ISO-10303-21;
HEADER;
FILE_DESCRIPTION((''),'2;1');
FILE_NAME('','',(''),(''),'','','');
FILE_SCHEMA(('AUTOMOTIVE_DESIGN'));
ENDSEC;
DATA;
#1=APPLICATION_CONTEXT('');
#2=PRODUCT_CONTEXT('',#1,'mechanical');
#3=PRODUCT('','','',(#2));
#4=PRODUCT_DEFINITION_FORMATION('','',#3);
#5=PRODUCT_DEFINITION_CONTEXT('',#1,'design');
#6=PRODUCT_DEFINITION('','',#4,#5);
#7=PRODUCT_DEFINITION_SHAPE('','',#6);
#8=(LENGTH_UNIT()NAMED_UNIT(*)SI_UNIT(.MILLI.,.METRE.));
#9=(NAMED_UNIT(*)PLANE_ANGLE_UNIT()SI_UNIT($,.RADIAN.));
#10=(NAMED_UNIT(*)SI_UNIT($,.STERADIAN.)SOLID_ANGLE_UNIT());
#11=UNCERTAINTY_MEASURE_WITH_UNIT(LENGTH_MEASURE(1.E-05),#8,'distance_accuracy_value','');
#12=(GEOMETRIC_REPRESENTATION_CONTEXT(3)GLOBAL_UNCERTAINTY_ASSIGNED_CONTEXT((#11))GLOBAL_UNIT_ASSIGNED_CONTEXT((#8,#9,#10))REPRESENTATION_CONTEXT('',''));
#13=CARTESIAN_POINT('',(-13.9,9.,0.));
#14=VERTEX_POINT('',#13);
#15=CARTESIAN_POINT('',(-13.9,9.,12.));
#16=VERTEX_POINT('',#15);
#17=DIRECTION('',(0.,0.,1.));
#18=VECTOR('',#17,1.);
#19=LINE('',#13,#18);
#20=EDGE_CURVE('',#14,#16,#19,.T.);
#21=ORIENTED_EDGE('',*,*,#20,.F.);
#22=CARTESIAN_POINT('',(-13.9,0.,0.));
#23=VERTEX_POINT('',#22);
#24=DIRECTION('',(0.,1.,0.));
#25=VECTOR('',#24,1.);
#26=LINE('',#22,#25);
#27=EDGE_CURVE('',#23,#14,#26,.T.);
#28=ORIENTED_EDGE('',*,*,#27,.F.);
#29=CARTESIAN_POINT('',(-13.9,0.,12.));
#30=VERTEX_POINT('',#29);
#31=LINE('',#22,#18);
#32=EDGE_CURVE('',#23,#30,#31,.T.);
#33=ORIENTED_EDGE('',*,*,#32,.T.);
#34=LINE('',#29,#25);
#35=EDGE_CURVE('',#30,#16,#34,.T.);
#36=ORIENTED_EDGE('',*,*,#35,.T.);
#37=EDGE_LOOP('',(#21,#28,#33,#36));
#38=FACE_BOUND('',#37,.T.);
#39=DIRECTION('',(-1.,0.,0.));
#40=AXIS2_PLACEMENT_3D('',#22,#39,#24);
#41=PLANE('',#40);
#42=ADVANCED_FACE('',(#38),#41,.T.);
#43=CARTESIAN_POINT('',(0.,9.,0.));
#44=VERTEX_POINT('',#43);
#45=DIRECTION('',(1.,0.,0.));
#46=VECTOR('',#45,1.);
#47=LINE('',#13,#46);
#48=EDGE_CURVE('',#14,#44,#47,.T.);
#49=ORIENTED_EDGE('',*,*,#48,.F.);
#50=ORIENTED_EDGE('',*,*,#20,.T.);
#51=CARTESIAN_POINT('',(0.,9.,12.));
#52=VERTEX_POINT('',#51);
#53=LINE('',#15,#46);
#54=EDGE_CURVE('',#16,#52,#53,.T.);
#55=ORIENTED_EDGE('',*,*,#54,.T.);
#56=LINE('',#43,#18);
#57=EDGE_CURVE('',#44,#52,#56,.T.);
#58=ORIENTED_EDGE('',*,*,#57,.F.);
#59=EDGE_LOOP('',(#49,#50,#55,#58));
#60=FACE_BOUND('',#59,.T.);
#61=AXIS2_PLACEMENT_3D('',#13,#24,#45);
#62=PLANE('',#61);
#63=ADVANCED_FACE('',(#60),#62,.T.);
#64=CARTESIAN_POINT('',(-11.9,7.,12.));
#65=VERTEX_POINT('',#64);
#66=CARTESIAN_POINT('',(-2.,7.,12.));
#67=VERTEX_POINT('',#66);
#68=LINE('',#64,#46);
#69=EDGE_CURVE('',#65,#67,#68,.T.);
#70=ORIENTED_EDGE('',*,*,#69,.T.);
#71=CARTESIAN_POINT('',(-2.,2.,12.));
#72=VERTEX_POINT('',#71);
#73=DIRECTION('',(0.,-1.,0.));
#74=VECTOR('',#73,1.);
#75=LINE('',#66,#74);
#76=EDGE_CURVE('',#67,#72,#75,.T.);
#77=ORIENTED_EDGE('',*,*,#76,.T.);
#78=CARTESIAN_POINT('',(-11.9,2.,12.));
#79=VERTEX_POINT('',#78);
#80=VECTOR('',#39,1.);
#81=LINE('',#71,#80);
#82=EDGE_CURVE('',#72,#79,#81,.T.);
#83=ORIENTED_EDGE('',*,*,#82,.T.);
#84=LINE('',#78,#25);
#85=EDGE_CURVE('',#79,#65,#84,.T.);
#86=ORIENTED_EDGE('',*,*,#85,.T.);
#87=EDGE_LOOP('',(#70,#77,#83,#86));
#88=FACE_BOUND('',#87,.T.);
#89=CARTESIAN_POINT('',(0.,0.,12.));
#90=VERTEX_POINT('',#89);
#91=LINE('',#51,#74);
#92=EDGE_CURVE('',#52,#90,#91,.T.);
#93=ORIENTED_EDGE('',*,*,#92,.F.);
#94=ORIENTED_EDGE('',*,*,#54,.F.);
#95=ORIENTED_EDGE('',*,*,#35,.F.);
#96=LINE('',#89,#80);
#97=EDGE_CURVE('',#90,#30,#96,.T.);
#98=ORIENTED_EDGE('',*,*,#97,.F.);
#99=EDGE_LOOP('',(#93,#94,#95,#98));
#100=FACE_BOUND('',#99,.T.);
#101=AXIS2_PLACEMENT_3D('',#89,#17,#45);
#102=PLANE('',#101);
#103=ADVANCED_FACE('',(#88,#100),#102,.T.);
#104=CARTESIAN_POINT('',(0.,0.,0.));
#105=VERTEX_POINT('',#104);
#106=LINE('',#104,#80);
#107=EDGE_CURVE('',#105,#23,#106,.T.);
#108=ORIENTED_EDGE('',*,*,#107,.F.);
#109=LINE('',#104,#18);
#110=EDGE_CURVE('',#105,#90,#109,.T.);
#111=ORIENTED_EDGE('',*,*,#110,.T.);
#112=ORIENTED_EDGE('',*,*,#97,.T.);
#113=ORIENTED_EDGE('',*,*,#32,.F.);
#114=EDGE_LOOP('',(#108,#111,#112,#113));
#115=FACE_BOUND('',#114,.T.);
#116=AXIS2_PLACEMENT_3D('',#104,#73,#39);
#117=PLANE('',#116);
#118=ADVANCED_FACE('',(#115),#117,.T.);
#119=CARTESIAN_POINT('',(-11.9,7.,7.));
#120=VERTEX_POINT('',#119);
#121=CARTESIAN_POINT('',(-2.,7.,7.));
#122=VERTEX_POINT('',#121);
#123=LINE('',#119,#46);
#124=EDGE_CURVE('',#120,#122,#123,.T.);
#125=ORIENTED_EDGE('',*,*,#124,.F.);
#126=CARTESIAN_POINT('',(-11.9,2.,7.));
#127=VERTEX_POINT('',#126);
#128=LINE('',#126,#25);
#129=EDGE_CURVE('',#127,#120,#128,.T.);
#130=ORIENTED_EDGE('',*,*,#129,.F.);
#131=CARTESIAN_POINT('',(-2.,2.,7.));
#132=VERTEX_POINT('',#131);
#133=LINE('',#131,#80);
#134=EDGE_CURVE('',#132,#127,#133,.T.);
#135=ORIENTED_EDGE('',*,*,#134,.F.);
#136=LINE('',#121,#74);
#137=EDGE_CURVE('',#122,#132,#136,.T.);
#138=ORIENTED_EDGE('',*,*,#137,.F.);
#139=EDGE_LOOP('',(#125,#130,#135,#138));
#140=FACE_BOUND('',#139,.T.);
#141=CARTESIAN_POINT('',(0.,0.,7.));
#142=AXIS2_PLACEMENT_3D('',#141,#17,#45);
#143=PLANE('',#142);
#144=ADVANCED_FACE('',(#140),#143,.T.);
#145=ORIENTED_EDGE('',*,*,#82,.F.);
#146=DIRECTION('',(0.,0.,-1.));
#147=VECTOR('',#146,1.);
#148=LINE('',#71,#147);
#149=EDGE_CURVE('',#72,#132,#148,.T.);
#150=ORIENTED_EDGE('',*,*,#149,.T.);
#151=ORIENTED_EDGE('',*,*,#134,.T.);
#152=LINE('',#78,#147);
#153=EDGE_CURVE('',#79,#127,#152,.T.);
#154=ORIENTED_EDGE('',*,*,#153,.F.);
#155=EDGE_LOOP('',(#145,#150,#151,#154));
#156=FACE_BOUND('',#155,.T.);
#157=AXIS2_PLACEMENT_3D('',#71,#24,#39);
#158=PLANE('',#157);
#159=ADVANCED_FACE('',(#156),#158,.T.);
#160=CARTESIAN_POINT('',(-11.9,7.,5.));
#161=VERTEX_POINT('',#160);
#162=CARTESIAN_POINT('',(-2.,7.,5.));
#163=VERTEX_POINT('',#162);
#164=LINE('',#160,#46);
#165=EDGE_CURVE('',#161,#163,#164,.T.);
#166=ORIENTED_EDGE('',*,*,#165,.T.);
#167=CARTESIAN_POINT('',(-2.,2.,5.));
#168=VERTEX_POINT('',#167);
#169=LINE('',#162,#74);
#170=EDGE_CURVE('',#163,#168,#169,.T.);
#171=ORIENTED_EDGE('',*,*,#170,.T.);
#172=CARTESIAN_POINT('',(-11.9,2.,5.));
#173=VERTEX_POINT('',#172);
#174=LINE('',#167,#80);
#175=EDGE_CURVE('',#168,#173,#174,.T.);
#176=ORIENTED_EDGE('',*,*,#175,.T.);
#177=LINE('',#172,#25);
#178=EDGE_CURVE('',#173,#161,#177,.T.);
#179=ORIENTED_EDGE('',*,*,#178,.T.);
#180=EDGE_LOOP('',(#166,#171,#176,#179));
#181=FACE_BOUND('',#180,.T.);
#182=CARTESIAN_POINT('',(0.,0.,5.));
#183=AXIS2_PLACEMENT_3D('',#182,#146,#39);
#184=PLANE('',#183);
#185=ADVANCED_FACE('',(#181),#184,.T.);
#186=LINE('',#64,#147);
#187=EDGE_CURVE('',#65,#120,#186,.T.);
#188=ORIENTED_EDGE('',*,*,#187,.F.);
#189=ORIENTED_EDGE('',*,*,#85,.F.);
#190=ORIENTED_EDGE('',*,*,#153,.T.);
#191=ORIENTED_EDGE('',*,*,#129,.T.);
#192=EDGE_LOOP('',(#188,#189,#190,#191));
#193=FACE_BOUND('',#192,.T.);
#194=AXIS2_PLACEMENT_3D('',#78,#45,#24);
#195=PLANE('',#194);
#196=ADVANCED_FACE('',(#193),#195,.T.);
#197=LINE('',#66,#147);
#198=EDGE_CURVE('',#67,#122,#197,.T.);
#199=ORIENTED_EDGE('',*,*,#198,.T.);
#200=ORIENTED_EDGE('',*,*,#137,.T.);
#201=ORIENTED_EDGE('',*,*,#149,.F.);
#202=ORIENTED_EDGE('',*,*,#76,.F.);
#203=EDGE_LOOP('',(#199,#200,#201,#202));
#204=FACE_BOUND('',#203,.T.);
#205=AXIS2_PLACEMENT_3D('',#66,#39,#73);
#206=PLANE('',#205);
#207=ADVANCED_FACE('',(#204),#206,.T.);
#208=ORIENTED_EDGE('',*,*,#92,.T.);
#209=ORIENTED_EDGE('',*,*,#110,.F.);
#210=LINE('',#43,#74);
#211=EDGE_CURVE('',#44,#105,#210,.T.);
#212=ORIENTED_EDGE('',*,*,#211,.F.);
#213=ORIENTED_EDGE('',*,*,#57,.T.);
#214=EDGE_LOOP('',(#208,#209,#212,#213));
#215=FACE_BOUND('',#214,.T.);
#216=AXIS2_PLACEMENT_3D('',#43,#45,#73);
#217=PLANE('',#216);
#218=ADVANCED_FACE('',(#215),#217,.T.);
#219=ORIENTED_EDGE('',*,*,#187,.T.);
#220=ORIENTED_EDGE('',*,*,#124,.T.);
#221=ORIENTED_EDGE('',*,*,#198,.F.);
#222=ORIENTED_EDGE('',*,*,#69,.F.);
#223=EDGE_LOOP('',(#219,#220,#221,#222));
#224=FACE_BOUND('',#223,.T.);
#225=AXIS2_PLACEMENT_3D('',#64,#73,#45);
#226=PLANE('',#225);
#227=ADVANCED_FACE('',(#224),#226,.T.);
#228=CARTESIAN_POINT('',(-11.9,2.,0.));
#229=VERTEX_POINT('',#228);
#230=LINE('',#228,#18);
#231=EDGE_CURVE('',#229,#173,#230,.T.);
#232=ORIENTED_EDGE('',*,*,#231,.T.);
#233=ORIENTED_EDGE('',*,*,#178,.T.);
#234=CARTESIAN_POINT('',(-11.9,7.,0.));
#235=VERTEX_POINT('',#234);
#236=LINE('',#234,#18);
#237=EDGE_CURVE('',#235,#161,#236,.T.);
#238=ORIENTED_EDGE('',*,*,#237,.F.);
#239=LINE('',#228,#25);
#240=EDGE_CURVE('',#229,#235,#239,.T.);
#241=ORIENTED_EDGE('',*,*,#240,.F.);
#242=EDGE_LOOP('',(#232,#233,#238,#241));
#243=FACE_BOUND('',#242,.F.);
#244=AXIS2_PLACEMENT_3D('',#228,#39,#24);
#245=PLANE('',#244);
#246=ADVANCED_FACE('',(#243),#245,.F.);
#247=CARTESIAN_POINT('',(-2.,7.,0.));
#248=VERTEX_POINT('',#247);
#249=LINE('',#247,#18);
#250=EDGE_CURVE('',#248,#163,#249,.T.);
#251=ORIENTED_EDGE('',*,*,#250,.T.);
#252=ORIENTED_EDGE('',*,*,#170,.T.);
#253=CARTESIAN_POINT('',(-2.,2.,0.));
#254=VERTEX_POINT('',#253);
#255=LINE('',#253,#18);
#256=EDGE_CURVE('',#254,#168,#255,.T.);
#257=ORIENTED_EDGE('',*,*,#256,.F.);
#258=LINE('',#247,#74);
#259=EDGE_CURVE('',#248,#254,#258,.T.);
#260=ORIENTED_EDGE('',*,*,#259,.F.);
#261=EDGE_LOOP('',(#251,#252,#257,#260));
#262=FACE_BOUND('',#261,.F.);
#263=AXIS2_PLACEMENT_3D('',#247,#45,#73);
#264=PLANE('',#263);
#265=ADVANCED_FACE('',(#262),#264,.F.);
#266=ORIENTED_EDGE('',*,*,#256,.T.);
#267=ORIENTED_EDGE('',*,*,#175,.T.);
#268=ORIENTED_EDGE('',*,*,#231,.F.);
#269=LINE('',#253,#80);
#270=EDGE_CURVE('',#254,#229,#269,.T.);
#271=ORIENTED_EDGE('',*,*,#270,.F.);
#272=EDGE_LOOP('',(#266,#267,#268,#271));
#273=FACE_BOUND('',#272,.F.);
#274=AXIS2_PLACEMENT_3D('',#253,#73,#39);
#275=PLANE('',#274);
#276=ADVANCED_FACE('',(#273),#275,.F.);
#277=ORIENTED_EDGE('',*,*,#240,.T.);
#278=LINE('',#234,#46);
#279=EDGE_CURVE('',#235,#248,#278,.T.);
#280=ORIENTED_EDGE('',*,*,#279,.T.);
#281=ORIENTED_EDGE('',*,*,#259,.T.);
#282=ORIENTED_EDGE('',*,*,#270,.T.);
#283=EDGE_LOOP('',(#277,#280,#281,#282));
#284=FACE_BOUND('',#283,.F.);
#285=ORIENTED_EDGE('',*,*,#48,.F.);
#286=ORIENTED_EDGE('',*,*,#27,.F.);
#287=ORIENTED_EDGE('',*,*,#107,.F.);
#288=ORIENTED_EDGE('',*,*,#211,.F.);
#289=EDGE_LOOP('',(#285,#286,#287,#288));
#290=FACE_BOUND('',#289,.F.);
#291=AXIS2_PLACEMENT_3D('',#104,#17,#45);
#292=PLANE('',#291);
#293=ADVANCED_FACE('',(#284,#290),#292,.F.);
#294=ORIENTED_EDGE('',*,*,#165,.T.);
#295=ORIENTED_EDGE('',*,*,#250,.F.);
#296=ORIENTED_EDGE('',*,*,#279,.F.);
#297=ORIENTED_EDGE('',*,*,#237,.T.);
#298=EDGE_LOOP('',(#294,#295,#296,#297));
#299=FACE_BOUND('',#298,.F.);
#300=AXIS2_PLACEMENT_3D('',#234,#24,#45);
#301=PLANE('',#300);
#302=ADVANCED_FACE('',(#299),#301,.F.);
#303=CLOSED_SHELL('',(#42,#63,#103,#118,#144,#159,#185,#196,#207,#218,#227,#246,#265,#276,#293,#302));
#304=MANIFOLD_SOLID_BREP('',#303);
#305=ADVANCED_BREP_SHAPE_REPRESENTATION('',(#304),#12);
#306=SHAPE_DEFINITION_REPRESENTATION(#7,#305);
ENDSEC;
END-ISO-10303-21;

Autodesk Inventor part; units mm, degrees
ref_plane "YZ Plane" through (0, 0, 0) normal (1, 0, 0) x (0, 1, 0)
ref_plane "XZ Plane" through (0, 0, 0) normal (0, 1, 0) x (-1, 0, 0)
ref_plane "XY Plane" through (0, 0, 0) normal (0, 0, 1) x (1, 0, 0)
sketch "Sketch5" plane through (0, 0, 0) normal (0, 0, 1) x (1, 0, 0)
  line L0 (0, 0) -> (-13.9, 0)
  line L1 (-13.9, 0) -> (-13.9, 9)
  line L2 (-13.9, 9) -> (0, 9)
  line L3 (0, 9) -> (0, 0)
  line L4 (-2, 2) -> (-11.9, 2)
  line L5 (-11.9, 2) -> (-11.9, 7)
  line L6 (-11.9, 7) -> (-2, 7)
  line L7 (-2, 7) -> (-2, 2)
  dimension "d67" = 13.9
  dimension "d68" = 9
  dimension "d69" = 9.9
  dimension "d70" = 5
extrude "Extrusion8" add sketch "Sketch5" along normal blind 12 contours L0 L1 L2 L3 | L4 L5 L6 L7
sketch "Sketch6" plane through (0, 0, 12) normal (0, 0, 1) x (1, 0, 0)
  line L0 (-2, 2) -> (-11.9, 2)
  line L1 (-11.9, 2) -> (-11.9, 7)
  line L2 (-11.9, 7) -> (-2, 7)
  line L3 (-2, 7) -> (-2, 2)
  point P0 (0, 0)
  dimension "d73" = 9.9
  dimension "d74" = 5
extrude "Extrusion9" cut sketch "Sketch6" against normal blind 5
sketch "Sketch7" plane through (0, 0, 0) normal (0, 0, -1) x (-1, 0, 0)
  line L0 (2, 2) -> (11.9, 2)
  line L1 (11.9, 2) -> (11.9, 7)
  line L2 (11.9, 7) -> (2, 7)
  line L3 (2, 7) -> (2, 2)
  point P0 (0, 0)
  dimension "d77" = 9.9
  dimension "d78" = 5
extrude "Extrusion11" cut sketch "Sketch7" against normal blind 5
properties part number "Cube_Holder_SB_V1_(71mm)"
